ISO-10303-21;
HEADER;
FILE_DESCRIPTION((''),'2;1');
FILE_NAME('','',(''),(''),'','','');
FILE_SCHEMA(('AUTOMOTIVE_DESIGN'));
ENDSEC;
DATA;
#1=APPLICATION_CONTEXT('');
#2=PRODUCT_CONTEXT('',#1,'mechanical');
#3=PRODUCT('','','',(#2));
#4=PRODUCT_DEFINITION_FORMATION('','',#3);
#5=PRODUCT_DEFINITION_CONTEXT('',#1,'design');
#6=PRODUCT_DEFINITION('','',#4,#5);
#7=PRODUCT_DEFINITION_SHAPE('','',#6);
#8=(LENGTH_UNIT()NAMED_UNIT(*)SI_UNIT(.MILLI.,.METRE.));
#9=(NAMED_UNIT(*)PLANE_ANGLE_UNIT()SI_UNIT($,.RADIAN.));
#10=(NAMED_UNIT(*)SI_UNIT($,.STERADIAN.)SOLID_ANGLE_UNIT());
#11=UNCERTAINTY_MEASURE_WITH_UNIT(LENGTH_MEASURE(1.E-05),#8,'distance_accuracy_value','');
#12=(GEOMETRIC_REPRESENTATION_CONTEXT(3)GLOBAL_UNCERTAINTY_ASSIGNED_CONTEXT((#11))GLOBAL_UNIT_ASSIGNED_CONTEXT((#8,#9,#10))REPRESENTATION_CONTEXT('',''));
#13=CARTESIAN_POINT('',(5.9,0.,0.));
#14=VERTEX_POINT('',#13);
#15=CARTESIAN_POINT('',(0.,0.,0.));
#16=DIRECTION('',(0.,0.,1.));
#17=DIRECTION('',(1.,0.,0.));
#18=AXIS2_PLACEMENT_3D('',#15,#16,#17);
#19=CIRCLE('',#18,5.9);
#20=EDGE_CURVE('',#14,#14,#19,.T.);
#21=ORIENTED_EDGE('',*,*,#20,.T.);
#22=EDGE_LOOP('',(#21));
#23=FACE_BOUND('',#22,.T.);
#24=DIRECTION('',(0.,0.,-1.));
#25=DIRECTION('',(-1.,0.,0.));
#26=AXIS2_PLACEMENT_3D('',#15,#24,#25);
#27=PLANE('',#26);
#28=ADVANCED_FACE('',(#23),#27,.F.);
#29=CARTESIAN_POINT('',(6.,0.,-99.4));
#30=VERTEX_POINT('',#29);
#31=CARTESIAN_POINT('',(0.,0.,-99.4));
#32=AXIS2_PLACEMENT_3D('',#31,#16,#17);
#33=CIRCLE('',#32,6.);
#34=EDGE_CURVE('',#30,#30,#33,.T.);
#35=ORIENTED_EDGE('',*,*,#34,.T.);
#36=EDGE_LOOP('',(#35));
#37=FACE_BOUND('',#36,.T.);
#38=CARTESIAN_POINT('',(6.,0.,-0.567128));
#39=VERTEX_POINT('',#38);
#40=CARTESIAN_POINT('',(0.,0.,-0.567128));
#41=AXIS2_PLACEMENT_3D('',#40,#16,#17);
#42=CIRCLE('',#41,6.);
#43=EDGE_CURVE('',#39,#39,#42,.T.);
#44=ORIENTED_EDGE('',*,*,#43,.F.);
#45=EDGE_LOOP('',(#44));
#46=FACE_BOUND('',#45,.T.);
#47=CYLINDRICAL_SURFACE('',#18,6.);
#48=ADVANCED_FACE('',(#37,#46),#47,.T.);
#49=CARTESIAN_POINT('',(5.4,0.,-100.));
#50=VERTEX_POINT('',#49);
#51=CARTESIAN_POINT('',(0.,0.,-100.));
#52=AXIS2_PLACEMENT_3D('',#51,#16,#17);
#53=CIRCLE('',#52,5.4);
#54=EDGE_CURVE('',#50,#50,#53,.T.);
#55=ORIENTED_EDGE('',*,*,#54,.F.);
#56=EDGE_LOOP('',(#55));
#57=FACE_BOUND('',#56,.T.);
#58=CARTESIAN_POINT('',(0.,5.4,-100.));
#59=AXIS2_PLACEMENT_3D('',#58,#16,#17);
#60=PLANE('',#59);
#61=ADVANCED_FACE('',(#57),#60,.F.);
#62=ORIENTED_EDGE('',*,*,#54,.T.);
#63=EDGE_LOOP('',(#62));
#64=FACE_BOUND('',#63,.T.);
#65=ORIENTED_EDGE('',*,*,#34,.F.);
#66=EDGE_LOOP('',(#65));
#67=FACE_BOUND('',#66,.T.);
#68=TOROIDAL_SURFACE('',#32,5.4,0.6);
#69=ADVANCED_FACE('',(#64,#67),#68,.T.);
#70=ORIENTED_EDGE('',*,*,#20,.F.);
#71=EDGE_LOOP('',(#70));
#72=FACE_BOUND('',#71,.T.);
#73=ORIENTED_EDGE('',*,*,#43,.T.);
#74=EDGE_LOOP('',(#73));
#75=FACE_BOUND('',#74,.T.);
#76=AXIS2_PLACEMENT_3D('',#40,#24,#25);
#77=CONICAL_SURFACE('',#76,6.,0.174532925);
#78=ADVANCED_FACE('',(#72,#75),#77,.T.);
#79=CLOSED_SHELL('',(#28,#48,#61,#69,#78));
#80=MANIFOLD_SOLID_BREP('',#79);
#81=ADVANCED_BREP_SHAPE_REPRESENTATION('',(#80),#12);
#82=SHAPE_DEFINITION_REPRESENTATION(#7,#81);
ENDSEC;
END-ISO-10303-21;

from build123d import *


with BuildPart() as part:
    # Sketch1 → Revolve1 (revolve)
    with BuildSketch(Plane(origin=(0, 0, 0), x_dir=(0, 0, -1), z_dir=(1, 0, 0)), mode=Mode.PRIVATE) as revolve1_sk:
        with BuildLine():
            Line((0, 0), (0, 5.9))
            Line((0, 5.9), (0.567128182, 6))
            Line((0.567128182, 6), (99.4, 6))
            ThreePointArc((99.4, 6), (99.824264069, 5.824264069), (100, 5.4))
            Line((100, 5.4), (100, 0))
            Line((100, 0), (0, 0))
        make_face()
    revolve(revolve1_sk.sketch.rotate(Axis((0, 0, 0), (0, 0, -1)), 90), axis=Axis((0, 0, 0), (0, 0, -1)))


solid = part.part
